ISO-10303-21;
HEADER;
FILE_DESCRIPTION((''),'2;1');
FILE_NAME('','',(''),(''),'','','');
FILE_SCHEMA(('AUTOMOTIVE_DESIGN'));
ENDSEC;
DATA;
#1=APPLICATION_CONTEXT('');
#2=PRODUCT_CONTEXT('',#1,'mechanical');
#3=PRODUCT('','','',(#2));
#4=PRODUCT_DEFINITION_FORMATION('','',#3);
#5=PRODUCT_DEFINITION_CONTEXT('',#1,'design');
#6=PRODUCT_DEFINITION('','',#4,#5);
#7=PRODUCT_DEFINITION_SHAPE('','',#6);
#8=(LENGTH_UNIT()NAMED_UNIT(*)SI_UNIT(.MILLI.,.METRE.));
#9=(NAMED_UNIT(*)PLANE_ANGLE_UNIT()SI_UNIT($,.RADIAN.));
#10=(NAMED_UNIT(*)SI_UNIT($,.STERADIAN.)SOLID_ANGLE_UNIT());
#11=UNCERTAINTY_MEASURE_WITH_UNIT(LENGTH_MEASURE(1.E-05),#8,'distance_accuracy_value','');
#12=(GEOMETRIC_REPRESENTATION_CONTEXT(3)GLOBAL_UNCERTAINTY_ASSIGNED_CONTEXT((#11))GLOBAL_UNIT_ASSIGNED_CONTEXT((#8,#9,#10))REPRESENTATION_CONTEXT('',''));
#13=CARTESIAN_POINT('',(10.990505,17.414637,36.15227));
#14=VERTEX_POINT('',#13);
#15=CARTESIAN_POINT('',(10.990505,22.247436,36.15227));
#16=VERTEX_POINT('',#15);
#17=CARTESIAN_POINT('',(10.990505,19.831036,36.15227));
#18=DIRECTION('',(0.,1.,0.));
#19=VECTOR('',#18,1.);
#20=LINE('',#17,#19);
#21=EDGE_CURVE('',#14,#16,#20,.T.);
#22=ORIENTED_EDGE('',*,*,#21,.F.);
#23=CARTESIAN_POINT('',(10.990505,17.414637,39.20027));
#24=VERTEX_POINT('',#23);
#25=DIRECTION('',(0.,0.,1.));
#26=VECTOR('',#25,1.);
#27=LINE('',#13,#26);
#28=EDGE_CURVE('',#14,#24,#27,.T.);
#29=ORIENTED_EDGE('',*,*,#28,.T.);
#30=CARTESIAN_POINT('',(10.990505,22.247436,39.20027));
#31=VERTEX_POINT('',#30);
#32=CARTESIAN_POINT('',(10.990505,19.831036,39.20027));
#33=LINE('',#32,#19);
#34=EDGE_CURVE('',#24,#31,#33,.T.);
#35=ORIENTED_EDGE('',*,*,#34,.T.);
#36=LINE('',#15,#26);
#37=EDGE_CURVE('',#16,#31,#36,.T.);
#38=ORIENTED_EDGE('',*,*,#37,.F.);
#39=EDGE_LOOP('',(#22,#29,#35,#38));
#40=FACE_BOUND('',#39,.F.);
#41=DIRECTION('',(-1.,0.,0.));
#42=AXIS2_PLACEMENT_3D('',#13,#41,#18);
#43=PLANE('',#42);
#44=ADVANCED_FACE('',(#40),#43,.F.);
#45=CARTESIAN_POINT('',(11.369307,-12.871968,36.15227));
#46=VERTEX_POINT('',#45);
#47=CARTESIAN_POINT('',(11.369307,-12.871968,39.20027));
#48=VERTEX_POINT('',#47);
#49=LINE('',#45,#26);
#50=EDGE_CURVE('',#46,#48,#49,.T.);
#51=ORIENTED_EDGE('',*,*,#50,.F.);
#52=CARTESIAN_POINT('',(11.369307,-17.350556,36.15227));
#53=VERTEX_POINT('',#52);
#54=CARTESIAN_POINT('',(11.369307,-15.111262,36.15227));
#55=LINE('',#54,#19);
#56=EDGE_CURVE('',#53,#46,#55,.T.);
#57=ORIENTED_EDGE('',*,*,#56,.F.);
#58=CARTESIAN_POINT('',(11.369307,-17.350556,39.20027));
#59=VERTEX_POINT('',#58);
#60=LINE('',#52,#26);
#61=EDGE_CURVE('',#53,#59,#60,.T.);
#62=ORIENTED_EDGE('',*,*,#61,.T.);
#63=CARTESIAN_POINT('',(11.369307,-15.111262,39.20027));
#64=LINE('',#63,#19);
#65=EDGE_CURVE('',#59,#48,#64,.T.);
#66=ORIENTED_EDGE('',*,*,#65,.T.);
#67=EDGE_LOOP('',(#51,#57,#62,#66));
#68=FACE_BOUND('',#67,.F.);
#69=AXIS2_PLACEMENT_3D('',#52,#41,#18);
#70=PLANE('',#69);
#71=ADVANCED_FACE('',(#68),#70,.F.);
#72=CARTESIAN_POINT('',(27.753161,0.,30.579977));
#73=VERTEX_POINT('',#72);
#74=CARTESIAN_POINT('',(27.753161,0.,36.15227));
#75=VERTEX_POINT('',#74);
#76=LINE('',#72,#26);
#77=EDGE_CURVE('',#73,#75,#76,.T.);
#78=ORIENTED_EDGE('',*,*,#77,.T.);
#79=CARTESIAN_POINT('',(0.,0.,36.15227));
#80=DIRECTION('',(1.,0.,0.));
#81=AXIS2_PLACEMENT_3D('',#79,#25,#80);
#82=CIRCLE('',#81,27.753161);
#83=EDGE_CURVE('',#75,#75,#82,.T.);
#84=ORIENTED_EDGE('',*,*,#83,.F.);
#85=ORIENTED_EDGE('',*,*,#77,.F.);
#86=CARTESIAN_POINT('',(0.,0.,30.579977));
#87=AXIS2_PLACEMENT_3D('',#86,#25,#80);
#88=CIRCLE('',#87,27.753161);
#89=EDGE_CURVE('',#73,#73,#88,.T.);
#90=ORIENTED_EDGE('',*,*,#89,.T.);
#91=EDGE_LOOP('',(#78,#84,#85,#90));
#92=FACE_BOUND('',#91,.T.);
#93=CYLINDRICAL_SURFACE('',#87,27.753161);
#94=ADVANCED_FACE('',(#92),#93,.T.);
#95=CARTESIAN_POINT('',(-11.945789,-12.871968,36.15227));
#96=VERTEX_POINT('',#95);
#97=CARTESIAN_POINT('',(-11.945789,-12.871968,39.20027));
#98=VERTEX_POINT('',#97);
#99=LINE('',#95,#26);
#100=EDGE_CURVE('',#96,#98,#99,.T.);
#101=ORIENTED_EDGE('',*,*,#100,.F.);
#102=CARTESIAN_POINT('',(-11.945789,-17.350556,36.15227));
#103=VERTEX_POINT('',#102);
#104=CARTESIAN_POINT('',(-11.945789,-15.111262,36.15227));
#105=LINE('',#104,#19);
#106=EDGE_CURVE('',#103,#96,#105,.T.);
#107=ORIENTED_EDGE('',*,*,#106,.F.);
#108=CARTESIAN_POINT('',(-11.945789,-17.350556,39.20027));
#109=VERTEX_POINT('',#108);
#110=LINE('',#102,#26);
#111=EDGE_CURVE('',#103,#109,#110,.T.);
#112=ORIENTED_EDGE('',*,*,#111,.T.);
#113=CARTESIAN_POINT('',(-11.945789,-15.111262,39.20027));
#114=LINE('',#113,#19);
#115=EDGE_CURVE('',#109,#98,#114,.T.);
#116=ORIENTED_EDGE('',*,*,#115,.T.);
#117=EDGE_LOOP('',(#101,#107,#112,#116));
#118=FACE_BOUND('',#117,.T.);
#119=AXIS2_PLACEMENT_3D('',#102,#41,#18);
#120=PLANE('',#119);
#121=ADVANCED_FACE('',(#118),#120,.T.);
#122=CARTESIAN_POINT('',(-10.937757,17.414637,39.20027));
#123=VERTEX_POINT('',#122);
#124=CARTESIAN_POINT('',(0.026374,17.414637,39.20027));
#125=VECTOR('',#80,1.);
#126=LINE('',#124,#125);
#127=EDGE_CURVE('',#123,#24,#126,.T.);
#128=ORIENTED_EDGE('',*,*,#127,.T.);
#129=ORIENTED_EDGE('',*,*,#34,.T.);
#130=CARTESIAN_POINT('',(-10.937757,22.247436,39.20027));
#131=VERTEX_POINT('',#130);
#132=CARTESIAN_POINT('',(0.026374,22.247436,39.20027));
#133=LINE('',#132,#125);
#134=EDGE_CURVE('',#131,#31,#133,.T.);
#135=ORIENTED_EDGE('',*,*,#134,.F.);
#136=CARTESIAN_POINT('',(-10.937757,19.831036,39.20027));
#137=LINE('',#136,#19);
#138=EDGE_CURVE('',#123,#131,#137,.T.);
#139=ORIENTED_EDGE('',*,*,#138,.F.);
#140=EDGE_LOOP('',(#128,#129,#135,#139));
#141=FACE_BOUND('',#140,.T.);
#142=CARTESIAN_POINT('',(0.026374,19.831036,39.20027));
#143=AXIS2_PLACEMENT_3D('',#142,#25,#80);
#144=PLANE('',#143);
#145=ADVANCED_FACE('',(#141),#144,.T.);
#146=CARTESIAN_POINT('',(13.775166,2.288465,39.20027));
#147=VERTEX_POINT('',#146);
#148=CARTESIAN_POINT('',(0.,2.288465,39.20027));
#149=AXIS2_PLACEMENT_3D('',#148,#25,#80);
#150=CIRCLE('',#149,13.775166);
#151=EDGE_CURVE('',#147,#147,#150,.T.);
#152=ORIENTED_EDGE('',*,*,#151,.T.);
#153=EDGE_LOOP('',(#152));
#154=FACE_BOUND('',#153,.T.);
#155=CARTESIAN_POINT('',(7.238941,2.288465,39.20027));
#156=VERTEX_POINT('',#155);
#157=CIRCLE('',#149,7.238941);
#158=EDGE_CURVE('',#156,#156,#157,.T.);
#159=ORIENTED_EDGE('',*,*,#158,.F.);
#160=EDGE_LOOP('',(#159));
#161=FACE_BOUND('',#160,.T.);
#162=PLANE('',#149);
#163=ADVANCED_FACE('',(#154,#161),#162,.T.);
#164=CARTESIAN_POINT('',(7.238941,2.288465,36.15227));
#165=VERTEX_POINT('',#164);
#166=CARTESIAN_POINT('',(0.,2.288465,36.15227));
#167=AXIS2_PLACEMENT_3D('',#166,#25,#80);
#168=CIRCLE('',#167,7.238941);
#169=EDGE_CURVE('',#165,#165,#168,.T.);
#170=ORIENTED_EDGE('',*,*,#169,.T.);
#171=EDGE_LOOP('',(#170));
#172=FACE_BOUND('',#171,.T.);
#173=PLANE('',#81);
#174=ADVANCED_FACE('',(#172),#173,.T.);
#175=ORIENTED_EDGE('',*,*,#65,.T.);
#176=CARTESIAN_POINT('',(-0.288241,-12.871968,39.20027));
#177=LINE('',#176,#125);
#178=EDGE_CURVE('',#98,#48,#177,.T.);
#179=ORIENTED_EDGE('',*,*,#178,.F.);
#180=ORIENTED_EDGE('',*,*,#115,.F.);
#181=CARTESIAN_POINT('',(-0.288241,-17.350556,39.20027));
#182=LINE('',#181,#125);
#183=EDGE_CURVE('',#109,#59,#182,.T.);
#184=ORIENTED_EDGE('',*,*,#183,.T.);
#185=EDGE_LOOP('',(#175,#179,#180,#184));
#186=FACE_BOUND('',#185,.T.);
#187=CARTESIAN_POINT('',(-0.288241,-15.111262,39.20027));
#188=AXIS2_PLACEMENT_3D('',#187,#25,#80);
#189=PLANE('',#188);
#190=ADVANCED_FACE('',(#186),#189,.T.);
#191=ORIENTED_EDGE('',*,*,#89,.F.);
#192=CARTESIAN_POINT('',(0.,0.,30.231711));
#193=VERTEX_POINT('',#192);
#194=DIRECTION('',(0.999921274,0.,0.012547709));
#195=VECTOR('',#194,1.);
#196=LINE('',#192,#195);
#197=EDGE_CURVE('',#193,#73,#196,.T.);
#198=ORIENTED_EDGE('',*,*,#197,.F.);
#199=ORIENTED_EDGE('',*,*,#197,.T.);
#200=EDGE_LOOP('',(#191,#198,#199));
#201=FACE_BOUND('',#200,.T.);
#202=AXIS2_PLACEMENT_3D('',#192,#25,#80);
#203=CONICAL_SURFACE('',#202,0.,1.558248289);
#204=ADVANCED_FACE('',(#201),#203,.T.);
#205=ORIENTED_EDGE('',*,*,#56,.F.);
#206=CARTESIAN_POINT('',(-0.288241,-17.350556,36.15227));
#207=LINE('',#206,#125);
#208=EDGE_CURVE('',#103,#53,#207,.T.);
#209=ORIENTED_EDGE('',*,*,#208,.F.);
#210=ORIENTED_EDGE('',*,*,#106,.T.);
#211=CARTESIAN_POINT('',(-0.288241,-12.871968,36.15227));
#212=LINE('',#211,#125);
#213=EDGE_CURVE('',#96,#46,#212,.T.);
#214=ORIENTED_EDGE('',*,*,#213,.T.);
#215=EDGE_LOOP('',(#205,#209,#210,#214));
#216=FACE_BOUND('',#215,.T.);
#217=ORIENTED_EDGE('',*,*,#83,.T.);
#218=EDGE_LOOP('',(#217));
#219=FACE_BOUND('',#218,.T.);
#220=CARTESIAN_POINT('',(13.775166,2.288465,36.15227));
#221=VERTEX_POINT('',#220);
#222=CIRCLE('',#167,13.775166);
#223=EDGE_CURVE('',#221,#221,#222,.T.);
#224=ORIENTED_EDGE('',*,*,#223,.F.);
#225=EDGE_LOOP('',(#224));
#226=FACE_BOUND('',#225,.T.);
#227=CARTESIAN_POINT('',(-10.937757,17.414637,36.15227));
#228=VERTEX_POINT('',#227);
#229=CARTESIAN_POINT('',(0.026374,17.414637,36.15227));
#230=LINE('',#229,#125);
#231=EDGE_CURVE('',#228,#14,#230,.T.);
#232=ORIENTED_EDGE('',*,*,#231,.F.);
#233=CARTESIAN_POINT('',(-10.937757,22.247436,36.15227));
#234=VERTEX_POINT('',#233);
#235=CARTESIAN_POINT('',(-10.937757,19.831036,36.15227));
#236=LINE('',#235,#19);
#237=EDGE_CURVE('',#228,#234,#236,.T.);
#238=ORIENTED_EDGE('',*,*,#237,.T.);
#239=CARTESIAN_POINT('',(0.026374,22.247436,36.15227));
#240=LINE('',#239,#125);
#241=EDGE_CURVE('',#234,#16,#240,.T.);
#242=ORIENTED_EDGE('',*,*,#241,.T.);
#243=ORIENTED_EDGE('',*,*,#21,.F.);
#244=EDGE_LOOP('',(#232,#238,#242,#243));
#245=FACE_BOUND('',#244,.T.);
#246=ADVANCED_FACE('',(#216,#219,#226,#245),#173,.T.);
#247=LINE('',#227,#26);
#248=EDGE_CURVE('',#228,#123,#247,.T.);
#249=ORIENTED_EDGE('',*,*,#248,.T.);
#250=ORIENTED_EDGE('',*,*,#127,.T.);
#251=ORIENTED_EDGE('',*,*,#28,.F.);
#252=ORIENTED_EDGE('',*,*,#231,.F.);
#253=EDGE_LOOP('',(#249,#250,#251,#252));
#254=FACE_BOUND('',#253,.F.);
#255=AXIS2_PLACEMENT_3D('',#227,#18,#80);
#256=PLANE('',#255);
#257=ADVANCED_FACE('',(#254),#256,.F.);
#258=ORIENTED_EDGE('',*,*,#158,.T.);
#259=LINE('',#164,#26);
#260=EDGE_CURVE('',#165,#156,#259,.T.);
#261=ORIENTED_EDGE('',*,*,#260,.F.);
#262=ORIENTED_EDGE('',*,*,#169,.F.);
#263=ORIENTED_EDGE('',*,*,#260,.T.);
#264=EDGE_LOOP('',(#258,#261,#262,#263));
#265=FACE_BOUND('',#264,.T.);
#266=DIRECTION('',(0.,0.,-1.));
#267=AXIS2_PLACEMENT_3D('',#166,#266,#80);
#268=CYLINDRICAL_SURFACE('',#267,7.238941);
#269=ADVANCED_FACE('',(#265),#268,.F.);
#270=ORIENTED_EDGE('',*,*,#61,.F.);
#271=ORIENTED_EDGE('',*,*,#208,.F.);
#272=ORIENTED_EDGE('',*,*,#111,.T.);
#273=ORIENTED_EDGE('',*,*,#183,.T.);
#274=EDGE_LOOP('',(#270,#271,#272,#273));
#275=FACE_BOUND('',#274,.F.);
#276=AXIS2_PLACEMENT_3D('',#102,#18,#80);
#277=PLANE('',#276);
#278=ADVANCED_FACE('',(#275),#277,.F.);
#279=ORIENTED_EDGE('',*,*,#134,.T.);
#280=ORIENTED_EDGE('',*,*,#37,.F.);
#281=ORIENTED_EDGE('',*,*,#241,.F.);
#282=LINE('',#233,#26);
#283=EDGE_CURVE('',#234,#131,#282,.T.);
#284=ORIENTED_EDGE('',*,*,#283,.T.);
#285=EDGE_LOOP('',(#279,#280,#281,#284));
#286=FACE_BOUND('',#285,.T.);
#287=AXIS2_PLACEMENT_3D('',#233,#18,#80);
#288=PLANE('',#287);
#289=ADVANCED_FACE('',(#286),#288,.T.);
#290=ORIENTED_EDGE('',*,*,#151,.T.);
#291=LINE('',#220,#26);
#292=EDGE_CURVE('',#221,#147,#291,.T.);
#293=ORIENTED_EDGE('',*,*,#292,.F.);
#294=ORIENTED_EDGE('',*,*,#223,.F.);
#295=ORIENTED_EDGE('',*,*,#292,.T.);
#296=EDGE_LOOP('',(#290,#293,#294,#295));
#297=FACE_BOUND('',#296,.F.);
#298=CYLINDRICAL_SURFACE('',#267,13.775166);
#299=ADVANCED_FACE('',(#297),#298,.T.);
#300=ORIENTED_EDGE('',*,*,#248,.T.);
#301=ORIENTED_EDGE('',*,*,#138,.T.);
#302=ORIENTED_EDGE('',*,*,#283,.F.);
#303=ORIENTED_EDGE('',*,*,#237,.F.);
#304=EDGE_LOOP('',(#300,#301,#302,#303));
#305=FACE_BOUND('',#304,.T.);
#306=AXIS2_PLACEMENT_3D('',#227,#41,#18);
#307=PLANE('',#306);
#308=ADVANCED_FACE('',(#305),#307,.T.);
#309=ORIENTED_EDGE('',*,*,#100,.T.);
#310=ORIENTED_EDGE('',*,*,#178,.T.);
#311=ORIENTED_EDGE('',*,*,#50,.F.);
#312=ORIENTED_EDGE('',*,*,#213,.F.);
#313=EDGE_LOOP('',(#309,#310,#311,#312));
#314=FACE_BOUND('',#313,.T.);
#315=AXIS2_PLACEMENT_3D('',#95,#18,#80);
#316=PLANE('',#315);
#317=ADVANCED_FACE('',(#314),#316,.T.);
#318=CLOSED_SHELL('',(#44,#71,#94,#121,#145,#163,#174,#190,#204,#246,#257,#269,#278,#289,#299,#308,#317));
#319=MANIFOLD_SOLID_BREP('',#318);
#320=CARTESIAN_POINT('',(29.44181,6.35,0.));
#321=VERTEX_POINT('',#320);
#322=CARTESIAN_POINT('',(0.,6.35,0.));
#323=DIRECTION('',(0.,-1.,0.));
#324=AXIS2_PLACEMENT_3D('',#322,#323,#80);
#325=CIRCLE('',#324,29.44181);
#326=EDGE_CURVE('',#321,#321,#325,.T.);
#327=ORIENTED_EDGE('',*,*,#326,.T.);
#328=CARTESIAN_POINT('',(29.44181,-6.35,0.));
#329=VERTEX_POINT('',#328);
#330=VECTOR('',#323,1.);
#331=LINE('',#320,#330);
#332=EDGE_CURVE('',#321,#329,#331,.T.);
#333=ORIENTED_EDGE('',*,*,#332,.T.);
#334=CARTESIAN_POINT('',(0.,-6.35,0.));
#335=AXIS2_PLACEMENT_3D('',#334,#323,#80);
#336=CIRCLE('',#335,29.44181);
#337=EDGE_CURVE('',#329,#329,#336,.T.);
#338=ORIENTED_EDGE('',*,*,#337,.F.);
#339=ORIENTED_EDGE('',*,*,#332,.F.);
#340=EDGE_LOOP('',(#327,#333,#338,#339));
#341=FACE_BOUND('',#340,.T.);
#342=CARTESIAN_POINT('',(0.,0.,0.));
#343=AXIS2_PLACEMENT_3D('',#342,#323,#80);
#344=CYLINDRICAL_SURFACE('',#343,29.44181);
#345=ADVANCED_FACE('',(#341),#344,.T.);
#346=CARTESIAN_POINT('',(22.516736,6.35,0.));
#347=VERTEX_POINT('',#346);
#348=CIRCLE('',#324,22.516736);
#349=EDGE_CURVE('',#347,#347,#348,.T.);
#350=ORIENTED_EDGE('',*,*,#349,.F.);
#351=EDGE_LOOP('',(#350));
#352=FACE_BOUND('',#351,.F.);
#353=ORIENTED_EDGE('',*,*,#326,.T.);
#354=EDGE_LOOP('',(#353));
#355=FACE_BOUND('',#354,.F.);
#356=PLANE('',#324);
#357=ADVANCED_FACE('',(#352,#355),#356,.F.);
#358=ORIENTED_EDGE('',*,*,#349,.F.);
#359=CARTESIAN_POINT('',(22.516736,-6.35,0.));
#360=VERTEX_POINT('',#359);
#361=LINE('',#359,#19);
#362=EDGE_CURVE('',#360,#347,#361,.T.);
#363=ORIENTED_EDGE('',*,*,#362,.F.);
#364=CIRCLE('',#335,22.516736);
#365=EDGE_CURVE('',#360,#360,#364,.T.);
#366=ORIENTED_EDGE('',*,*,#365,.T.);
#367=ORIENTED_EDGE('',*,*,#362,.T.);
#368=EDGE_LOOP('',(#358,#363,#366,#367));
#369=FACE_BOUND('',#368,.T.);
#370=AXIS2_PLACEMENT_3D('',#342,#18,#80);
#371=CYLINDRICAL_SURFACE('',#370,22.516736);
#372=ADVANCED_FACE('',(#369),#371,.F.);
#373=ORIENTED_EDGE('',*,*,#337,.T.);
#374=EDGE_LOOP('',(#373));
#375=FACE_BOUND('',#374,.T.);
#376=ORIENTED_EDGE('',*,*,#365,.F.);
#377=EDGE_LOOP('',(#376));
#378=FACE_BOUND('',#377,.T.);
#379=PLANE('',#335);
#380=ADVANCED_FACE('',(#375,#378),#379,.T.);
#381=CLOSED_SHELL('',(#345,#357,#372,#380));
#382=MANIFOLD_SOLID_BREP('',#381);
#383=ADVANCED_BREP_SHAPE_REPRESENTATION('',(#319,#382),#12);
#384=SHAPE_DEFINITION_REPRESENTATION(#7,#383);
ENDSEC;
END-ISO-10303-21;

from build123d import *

# Parameters (mm, degrees)
F0_R     = 29.44181
F0_R_2   = 22.516736
F1_DEPTH = 6.35
F4_W     = 23.315095
F4_H     = 4.478589
F4_R     = 13.775166
F4_R_2   = 7.238941
F4_W_2   = 21.928261
F4_H_2   = 4.832799
F5_DEPTH = 3.048


with BuildPart() as f1:
    # F0 (on Front) → F1 (new body, symmetric)
    with BuildSketch(Plane.XZ):
        Circle(F0_R)
        Circle(F0_R_2, mode=Mode.SUBTRACT)
    extrude(amount=F1_DEPTH, both=True)


with BuildPart() as f3:
    # F2 (on Front) → F3 (revolve)
    with BuildSketch(Plane.XZ):
        Polygon((0, 36.15227), (0, 30.231711), (27.753161, 30.579977), (27.753161, 36.15227), align=None)
    revolve(axis=Axis((0, 0, 33.19199), (0, 0, 1)))

    # F4 (on face) → F5 (join)
    with BuildSketch(Plane.XY.offset(36.15227)):
        with Locations((-0.288241, -15.111262)):
            Rectangle(F4_W, F4_H)
        with Locations((0, 2.288465)):
            Circle(F4_R)
        with Locations((0, 2.288465)):
            Circle(F4_R_2, mode=Mode.SUBTRACT)
        with Locations((0.026374, 19.831036)):
            Rectangle(F4_W_2, F4_H_2)
    extrude(amount=F5_DEPTH)


solid = Compound([f1.part, f3.part])
